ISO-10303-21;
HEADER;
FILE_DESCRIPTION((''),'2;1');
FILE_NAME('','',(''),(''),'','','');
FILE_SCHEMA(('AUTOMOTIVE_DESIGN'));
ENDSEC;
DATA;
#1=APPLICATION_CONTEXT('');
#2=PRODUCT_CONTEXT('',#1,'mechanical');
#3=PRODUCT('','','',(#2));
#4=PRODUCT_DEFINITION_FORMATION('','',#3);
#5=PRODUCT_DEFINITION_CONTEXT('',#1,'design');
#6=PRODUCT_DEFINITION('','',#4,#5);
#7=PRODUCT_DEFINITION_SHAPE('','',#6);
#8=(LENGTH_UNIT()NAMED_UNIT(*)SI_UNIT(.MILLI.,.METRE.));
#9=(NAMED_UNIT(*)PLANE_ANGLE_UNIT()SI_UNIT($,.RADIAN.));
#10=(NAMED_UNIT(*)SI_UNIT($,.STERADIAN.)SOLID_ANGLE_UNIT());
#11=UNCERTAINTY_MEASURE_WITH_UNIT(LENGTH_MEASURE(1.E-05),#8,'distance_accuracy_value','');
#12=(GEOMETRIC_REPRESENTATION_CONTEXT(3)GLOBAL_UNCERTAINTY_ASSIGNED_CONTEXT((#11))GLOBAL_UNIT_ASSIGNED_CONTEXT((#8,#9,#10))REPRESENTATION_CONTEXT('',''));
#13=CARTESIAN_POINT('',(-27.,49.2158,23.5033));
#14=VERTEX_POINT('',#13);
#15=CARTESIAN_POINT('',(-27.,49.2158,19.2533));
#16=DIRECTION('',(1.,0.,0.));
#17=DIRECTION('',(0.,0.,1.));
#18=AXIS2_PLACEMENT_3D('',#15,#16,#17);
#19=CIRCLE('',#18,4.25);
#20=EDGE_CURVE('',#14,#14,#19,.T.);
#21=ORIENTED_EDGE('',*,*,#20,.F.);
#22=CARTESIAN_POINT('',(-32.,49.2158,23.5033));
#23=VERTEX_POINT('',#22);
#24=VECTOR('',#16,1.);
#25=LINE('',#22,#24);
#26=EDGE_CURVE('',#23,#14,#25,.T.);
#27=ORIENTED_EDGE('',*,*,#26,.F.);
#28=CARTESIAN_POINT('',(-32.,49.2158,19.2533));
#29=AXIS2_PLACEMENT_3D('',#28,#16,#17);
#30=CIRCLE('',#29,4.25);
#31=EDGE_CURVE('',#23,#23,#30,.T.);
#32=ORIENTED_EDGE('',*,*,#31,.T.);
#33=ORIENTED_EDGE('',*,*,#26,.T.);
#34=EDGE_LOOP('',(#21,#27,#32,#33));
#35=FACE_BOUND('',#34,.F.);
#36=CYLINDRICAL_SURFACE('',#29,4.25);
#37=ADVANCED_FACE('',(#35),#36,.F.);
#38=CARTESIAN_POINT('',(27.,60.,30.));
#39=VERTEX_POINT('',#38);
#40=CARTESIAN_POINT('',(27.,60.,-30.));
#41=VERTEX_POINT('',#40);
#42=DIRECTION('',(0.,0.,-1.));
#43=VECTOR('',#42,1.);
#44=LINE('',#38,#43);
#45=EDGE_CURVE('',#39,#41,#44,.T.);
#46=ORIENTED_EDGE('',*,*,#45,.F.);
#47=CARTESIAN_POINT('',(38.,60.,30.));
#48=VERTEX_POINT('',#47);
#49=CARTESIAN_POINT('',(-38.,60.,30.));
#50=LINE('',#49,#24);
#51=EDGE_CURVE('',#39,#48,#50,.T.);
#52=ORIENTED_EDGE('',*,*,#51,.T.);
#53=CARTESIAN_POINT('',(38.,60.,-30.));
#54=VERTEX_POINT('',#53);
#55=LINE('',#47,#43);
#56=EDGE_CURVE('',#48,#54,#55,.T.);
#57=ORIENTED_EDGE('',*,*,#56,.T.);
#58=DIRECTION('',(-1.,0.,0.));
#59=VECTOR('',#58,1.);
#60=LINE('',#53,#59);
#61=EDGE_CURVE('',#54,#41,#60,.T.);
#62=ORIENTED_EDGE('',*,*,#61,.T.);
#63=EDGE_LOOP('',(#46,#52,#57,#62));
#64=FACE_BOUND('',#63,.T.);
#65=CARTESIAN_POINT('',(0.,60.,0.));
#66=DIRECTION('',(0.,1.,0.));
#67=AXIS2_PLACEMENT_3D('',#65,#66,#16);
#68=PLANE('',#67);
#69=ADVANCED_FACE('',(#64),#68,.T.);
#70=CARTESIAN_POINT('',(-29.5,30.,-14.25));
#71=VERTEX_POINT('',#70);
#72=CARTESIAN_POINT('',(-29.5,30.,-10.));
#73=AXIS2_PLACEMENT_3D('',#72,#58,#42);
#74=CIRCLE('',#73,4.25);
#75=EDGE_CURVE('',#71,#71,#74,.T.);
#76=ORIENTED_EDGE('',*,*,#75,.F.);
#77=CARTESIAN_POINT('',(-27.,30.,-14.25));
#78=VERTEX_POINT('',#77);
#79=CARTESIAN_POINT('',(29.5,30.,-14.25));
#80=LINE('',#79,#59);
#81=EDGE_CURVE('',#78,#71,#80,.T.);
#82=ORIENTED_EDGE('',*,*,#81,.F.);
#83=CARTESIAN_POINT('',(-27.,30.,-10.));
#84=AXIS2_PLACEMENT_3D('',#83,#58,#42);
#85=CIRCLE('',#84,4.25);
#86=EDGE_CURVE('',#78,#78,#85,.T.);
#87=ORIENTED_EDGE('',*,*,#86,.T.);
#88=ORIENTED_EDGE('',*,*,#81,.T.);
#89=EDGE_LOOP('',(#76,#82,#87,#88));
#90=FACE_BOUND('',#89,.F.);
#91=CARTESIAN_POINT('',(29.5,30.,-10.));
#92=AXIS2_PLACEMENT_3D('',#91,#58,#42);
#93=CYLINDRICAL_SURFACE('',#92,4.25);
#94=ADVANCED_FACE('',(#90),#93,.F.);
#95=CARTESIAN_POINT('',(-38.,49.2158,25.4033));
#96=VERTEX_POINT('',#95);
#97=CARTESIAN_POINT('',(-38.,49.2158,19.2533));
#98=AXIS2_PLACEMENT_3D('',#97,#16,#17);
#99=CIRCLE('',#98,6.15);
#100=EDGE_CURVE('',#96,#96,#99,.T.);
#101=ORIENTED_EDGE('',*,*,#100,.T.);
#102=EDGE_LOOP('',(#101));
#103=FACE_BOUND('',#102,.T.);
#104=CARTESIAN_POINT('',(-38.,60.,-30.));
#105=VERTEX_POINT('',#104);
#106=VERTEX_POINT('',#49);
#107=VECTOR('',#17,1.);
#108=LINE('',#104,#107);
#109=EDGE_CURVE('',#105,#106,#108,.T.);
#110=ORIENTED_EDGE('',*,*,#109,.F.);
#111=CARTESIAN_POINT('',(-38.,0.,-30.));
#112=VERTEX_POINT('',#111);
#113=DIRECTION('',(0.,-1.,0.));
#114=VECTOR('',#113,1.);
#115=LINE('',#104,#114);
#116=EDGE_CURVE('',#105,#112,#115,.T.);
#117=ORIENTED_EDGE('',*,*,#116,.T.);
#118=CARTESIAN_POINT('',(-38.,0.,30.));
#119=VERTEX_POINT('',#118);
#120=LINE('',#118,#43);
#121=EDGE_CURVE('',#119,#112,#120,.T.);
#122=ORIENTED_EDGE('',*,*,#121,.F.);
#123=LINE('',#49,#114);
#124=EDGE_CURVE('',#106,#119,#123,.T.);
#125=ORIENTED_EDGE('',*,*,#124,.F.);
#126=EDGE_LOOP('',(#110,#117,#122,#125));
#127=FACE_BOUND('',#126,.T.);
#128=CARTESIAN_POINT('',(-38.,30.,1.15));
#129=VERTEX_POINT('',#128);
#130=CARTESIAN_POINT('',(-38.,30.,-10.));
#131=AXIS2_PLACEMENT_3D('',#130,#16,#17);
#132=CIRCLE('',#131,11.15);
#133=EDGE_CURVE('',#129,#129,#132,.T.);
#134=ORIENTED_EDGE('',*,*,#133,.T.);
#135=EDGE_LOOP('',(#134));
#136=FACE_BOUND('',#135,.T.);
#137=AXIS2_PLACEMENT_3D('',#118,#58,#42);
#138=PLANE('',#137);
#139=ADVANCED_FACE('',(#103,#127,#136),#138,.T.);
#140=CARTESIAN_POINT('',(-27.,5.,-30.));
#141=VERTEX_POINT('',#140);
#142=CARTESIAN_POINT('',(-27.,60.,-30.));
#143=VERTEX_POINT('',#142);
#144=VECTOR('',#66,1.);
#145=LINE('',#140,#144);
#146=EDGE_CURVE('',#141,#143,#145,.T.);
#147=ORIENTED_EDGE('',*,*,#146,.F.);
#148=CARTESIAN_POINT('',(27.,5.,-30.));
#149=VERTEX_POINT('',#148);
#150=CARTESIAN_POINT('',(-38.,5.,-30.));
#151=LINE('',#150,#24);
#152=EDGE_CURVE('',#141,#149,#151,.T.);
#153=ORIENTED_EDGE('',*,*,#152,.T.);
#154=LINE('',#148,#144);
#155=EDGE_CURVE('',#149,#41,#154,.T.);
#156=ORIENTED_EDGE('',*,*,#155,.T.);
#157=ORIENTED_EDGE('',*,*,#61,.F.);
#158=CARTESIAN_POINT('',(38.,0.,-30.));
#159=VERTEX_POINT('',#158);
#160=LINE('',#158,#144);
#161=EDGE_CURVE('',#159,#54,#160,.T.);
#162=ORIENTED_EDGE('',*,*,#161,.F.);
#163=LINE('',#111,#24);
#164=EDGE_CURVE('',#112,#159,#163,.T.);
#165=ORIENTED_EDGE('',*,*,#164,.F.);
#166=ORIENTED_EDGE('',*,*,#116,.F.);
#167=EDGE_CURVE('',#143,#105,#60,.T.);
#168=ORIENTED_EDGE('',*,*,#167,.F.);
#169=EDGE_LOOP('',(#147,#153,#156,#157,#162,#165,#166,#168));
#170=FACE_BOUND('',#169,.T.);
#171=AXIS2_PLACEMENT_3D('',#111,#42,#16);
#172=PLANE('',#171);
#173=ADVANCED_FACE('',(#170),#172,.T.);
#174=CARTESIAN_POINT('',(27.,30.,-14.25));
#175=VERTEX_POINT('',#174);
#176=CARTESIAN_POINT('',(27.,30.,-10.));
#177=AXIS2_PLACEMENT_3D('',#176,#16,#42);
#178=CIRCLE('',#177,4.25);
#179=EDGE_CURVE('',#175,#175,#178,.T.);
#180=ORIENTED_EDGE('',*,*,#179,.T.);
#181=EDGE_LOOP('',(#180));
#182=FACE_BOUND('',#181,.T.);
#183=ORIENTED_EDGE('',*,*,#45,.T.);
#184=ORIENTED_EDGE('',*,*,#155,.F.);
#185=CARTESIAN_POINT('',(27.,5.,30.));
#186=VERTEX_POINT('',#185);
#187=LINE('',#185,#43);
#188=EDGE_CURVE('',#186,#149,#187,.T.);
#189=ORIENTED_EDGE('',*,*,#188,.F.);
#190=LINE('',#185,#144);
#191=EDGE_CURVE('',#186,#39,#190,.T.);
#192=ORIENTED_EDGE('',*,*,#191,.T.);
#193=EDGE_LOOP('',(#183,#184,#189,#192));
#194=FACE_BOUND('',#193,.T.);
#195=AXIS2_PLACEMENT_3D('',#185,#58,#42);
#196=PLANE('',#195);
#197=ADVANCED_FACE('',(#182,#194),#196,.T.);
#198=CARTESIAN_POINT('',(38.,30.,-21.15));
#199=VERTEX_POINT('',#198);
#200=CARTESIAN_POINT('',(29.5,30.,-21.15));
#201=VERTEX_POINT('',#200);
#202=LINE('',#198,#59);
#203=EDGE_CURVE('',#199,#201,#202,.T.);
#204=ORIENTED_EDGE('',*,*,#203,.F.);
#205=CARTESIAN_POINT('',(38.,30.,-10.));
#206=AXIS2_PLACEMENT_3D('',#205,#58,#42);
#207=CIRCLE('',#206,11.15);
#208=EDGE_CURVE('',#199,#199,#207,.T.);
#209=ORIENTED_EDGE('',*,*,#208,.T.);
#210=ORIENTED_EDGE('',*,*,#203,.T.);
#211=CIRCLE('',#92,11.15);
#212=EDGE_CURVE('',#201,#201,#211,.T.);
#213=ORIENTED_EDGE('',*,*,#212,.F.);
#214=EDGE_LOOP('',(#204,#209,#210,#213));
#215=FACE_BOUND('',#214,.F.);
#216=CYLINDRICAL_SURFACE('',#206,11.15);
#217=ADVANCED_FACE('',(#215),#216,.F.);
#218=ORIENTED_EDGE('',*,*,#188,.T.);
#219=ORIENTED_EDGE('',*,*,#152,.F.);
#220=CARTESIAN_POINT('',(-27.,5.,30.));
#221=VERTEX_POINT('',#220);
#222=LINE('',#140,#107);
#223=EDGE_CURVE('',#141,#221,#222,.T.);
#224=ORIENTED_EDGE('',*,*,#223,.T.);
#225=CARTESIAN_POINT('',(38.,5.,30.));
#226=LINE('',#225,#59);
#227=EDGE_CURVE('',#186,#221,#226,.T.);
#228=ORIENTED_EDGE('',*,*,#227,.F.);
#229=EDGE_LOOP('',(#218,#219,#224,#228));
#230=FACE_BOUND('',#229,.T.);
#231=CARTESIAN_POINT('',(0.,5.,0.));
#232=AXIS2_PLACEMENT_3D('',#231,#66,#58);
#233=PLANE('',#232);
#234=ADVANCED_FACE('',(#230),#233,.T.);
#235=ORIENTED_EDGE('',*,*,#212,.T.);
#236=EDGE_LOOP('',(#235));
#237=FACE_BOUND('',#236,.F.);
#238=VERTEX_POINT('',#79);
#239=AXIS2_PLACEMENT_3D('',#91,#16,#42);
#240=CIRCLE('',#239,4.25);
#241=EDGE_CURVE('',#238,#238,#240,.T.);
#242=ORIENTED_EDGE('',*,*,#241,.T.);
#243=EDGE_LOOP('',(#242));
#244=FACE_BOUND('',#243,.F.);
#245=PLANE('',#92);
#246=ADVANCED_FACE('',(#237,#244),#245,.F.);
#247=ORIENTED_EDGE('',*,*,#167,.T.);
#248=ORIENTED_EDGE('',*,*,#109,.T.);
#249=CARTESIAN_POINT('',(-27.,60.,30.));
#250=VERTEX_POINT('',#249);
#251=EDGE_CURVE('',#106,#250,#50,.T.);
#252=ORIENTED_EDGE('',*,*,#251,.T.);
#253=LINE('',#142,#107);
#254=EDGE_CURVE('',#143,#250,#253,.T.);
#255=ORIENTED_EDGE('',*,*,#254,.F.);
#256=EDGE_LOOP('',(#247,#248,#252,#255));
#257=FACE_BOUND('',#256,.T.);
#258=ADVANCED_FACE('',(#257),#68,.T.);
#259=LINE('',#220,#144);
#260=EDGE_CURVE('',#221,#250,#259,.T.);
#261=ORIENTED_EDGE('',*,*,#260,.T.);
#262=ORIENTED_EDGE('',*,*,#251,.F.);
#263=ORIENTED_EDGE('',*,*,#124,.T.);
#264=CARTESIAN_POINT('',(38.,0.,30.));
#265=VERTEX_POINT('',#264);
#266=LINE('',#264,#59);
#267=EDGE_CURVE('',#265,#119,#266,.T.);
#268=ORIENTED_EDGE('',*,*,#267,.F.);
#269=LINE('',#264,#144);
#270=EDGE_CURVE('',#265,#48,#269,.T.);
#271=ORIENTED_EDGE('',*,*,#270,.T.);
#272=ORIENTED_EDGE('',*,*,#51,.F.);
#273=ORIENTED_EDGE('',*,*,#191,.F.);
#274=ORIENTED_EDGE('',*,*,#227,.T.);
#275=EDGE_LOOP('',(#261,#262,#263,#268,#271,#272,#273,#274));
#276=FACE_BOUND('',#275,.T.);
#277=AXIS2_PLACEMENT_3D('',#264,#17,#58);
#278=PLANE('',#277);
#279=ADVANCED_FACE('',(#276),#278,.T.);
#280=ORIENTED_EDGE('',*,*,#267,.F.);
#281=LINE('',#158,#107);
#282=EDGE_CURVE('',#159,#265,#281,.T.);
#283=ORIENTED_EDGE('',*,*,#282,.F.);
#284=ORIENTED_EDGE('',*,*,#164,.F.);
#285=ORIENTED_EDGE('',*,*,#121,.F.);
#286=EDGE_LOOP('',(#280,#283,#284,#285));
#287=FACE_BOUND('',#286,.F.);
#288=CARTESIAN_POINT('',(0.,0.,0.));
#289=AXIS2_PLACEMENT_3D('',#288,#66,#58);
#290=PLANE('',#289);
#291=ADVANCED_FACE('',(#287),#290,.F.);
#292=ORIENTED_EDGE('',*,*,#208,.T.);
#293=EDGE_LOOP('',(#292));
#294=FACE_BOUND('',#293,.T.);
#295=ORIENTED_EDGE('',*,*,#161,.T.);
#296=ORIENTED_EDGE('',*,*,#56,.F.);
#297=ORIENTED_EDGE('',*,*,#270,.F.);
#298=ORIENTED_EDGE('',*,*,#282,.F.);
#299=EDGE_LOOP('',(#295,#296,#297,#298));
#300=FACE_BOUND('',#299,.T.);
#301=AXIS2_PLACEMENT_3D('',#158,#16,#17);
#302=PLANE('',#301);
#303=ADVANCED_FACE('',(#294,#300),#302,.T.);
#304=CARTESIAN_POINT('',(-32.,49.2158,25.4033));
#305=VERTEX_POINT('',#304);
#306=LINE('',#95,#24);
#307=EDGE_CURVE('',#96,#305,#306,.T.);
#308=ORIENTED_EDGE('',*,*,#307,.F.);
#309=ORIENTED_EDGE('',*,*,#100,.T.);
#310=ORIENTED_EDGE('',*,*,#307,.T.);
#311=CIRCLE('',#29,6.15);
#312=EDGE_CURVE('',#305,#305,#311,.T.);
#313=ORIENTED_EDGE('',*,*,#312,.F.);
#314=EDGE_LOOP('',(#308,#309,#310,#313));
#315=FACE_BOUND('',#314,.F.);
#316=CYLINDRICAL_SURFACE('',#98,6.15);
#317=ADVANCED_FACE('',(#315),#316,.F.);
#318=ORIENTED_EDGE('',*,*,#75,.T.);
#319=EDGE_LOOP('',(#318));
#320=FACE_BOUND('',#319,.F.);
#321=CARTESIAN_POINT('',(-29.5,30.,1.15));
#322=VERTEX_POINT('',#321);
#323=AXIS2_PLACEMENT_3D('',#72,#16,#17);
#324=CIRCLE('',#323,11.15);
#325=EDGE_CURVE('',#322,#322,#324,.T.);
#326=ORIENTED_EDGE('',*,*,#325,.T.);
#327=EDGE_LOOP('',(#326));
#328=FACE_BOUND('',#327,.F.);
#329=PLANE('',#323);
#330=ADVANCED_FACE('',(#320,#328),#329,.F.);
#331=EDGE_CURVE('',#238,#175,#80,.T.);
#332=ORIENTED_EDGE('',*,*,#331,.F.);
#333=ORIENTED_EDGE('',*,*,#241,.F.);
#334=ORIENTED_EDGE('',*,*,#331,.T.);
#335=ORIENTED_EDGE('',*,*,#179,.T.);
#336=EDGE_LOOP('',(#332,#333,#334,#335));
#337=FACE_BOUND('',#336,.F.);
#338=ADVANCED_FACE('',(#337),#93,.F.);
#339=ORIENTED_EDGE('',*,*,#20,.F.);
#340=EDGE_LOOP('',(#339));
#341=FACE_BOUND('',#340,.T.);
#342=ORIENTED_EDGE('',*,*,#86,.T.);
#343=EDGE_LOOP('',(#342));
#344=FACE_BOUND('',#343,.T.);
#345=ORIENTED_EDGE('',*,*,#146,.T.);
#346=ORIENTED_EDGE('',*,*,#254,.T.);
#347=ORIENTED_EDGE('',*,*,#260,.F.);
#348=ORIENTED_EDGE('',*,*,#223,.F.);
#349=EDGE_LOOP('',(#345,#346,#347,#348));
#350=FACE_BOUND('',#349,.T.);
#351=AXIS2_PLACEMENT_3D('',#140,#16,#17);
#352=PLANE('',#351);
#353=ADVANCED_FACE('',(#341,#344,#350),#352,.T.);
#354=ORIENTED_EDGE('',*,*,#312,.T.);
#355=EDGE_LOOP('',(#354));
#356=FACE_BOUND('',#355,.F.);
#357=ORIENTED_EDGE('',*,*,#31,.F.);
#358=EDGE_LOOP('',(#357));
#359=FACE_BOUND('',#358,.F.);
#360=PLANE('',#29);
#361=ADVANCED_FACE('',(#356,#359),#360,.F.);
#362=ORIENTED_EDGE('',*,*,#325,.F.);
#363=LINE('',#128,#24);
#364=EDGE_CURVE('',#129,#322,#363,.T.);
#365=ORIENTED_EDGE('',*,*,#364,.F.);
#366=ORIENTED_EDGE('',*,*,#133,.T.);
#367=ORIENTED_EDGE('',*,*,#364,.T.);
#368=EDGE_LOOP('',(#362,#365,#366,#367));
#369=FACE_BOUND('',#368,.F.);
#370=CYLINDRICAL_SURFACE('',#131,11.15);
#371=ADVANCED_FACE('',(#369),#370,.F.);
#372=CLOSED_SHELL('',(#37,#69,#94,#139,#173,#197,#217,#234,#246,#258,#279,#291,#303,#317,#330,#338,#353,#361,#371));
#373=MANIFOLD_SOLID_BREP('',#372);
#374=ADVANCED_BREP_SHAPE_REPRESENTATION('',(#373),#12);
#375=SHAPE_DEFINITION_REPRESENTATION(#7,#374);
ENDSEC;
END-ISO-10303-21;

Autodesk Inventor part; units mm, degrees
ref_plane "YZ Plane" through (0, 0, 0) normal (1, 0, 0) x (0, 1, 0)
ref_plane "XZ Plane" through (0, 0, 0) normal (0, 1, 0) x (-1, 0, 0)
ref_plane "XY Plane" through (0, 0, 0) normal (0, 0, 1) x (1, 0, 0)
sketch "草圖1" plane through (0, 0, 0) normal (0, 1, 0) x (-1, 0, 0)
  line L0 (-38, 30) -> (38, 30)
  line L1 (38, 30) -> (38, -30)
  line L2 (38, -30) -> (-38, -30)
  line L3 (-38, -30) -> (-38, 30)
  point P0 (0, 0)
  point P1 (0, -30)
  point P2 (38, 0)
  dimension "d0" = 60
  dimension "d1" = 76
extrude "擠出1" add sketch "草圖1" along normal blind 5
sketch "草圖2" plane through (0, 5, 0) normal (0, 1, 0) x (1, 0, 0)
  line L0 (38, 30) -> (-38, 30) projected
  line L1 (-38, 30) -> (-38, -30) projected
  line L2 (-38, -30) -> (38, -30) projected
  line L3 (38, -30) -> (38, 30) projected
  line L4 (-27, 30) -> (-27, -30)
  line L5 (27, -30) -> (27, 30)
  point P0 (0, 0)
  dimension "d4" = 11
  dimension "d5" = 11
extrude "擠出2" add sketch "草圖2" along normal blind 55 contours L3 L2 L5 L0 | L4 L2 L1 L0
sketch "草圖3" plane through (38, 0, 30) normal (1, 0, 0) x (0, 0, -1)
  line L0 (60, 0) -> (60, 60) projected
  line L1 (0, 5) -> (60, 5) projected
  circle A0 centre (40, 30) radius 11.2
  line L2 (10.7467, 49.2158) -> (40, 30)
  point P0 (30, 0)
  dimension "d8" = 22.4
  dimension "d9" = 25
  dimension "d10" = 20
  dimension "d25" = 35
  dimension "d26" = 33.3
sketch "草圖4" plane through (-38, 0, -30) normal (-1, 0, 0) x (0, 0, 1)
  line L0 (0, 0) -> (0, 60) projected
  line L1 (0, 5) -> (60, 5) projected
  circle A0 centre (20, 30) radius 11.2
  line L2 (20, 30) -> (49.2533, 49.2158)
  point P0 (30, 0)
  dimension "d13" = 22.4
  dimension "d14" = 25
  dimension "d15" = 20
  dimension "d41" = 35
  dimension "d42" = 33.3
hole "孔1" at (38, 30, -10) direction (-1, 0, 0) diameter 8.5 end through all counterbore diameter 22.3 counterbore depth 8.5
hole "孔2" at (-38, 30, -10) direction (1, 0, 0) diameter 8.5 end through all counterbore diameter 22.3 counterbore depth 8.5
hole "孔4" at (-38, 49.2158, 19.2533) direction (1, 0, 0) diameter 8.5 depth 11 counterbore diameter 12.3 counterbore depth 6
equation "\"d13\" = d8"
equation "\"d14\" = d9"
equation "\"d15\" = d10"
properties part number "Base"
